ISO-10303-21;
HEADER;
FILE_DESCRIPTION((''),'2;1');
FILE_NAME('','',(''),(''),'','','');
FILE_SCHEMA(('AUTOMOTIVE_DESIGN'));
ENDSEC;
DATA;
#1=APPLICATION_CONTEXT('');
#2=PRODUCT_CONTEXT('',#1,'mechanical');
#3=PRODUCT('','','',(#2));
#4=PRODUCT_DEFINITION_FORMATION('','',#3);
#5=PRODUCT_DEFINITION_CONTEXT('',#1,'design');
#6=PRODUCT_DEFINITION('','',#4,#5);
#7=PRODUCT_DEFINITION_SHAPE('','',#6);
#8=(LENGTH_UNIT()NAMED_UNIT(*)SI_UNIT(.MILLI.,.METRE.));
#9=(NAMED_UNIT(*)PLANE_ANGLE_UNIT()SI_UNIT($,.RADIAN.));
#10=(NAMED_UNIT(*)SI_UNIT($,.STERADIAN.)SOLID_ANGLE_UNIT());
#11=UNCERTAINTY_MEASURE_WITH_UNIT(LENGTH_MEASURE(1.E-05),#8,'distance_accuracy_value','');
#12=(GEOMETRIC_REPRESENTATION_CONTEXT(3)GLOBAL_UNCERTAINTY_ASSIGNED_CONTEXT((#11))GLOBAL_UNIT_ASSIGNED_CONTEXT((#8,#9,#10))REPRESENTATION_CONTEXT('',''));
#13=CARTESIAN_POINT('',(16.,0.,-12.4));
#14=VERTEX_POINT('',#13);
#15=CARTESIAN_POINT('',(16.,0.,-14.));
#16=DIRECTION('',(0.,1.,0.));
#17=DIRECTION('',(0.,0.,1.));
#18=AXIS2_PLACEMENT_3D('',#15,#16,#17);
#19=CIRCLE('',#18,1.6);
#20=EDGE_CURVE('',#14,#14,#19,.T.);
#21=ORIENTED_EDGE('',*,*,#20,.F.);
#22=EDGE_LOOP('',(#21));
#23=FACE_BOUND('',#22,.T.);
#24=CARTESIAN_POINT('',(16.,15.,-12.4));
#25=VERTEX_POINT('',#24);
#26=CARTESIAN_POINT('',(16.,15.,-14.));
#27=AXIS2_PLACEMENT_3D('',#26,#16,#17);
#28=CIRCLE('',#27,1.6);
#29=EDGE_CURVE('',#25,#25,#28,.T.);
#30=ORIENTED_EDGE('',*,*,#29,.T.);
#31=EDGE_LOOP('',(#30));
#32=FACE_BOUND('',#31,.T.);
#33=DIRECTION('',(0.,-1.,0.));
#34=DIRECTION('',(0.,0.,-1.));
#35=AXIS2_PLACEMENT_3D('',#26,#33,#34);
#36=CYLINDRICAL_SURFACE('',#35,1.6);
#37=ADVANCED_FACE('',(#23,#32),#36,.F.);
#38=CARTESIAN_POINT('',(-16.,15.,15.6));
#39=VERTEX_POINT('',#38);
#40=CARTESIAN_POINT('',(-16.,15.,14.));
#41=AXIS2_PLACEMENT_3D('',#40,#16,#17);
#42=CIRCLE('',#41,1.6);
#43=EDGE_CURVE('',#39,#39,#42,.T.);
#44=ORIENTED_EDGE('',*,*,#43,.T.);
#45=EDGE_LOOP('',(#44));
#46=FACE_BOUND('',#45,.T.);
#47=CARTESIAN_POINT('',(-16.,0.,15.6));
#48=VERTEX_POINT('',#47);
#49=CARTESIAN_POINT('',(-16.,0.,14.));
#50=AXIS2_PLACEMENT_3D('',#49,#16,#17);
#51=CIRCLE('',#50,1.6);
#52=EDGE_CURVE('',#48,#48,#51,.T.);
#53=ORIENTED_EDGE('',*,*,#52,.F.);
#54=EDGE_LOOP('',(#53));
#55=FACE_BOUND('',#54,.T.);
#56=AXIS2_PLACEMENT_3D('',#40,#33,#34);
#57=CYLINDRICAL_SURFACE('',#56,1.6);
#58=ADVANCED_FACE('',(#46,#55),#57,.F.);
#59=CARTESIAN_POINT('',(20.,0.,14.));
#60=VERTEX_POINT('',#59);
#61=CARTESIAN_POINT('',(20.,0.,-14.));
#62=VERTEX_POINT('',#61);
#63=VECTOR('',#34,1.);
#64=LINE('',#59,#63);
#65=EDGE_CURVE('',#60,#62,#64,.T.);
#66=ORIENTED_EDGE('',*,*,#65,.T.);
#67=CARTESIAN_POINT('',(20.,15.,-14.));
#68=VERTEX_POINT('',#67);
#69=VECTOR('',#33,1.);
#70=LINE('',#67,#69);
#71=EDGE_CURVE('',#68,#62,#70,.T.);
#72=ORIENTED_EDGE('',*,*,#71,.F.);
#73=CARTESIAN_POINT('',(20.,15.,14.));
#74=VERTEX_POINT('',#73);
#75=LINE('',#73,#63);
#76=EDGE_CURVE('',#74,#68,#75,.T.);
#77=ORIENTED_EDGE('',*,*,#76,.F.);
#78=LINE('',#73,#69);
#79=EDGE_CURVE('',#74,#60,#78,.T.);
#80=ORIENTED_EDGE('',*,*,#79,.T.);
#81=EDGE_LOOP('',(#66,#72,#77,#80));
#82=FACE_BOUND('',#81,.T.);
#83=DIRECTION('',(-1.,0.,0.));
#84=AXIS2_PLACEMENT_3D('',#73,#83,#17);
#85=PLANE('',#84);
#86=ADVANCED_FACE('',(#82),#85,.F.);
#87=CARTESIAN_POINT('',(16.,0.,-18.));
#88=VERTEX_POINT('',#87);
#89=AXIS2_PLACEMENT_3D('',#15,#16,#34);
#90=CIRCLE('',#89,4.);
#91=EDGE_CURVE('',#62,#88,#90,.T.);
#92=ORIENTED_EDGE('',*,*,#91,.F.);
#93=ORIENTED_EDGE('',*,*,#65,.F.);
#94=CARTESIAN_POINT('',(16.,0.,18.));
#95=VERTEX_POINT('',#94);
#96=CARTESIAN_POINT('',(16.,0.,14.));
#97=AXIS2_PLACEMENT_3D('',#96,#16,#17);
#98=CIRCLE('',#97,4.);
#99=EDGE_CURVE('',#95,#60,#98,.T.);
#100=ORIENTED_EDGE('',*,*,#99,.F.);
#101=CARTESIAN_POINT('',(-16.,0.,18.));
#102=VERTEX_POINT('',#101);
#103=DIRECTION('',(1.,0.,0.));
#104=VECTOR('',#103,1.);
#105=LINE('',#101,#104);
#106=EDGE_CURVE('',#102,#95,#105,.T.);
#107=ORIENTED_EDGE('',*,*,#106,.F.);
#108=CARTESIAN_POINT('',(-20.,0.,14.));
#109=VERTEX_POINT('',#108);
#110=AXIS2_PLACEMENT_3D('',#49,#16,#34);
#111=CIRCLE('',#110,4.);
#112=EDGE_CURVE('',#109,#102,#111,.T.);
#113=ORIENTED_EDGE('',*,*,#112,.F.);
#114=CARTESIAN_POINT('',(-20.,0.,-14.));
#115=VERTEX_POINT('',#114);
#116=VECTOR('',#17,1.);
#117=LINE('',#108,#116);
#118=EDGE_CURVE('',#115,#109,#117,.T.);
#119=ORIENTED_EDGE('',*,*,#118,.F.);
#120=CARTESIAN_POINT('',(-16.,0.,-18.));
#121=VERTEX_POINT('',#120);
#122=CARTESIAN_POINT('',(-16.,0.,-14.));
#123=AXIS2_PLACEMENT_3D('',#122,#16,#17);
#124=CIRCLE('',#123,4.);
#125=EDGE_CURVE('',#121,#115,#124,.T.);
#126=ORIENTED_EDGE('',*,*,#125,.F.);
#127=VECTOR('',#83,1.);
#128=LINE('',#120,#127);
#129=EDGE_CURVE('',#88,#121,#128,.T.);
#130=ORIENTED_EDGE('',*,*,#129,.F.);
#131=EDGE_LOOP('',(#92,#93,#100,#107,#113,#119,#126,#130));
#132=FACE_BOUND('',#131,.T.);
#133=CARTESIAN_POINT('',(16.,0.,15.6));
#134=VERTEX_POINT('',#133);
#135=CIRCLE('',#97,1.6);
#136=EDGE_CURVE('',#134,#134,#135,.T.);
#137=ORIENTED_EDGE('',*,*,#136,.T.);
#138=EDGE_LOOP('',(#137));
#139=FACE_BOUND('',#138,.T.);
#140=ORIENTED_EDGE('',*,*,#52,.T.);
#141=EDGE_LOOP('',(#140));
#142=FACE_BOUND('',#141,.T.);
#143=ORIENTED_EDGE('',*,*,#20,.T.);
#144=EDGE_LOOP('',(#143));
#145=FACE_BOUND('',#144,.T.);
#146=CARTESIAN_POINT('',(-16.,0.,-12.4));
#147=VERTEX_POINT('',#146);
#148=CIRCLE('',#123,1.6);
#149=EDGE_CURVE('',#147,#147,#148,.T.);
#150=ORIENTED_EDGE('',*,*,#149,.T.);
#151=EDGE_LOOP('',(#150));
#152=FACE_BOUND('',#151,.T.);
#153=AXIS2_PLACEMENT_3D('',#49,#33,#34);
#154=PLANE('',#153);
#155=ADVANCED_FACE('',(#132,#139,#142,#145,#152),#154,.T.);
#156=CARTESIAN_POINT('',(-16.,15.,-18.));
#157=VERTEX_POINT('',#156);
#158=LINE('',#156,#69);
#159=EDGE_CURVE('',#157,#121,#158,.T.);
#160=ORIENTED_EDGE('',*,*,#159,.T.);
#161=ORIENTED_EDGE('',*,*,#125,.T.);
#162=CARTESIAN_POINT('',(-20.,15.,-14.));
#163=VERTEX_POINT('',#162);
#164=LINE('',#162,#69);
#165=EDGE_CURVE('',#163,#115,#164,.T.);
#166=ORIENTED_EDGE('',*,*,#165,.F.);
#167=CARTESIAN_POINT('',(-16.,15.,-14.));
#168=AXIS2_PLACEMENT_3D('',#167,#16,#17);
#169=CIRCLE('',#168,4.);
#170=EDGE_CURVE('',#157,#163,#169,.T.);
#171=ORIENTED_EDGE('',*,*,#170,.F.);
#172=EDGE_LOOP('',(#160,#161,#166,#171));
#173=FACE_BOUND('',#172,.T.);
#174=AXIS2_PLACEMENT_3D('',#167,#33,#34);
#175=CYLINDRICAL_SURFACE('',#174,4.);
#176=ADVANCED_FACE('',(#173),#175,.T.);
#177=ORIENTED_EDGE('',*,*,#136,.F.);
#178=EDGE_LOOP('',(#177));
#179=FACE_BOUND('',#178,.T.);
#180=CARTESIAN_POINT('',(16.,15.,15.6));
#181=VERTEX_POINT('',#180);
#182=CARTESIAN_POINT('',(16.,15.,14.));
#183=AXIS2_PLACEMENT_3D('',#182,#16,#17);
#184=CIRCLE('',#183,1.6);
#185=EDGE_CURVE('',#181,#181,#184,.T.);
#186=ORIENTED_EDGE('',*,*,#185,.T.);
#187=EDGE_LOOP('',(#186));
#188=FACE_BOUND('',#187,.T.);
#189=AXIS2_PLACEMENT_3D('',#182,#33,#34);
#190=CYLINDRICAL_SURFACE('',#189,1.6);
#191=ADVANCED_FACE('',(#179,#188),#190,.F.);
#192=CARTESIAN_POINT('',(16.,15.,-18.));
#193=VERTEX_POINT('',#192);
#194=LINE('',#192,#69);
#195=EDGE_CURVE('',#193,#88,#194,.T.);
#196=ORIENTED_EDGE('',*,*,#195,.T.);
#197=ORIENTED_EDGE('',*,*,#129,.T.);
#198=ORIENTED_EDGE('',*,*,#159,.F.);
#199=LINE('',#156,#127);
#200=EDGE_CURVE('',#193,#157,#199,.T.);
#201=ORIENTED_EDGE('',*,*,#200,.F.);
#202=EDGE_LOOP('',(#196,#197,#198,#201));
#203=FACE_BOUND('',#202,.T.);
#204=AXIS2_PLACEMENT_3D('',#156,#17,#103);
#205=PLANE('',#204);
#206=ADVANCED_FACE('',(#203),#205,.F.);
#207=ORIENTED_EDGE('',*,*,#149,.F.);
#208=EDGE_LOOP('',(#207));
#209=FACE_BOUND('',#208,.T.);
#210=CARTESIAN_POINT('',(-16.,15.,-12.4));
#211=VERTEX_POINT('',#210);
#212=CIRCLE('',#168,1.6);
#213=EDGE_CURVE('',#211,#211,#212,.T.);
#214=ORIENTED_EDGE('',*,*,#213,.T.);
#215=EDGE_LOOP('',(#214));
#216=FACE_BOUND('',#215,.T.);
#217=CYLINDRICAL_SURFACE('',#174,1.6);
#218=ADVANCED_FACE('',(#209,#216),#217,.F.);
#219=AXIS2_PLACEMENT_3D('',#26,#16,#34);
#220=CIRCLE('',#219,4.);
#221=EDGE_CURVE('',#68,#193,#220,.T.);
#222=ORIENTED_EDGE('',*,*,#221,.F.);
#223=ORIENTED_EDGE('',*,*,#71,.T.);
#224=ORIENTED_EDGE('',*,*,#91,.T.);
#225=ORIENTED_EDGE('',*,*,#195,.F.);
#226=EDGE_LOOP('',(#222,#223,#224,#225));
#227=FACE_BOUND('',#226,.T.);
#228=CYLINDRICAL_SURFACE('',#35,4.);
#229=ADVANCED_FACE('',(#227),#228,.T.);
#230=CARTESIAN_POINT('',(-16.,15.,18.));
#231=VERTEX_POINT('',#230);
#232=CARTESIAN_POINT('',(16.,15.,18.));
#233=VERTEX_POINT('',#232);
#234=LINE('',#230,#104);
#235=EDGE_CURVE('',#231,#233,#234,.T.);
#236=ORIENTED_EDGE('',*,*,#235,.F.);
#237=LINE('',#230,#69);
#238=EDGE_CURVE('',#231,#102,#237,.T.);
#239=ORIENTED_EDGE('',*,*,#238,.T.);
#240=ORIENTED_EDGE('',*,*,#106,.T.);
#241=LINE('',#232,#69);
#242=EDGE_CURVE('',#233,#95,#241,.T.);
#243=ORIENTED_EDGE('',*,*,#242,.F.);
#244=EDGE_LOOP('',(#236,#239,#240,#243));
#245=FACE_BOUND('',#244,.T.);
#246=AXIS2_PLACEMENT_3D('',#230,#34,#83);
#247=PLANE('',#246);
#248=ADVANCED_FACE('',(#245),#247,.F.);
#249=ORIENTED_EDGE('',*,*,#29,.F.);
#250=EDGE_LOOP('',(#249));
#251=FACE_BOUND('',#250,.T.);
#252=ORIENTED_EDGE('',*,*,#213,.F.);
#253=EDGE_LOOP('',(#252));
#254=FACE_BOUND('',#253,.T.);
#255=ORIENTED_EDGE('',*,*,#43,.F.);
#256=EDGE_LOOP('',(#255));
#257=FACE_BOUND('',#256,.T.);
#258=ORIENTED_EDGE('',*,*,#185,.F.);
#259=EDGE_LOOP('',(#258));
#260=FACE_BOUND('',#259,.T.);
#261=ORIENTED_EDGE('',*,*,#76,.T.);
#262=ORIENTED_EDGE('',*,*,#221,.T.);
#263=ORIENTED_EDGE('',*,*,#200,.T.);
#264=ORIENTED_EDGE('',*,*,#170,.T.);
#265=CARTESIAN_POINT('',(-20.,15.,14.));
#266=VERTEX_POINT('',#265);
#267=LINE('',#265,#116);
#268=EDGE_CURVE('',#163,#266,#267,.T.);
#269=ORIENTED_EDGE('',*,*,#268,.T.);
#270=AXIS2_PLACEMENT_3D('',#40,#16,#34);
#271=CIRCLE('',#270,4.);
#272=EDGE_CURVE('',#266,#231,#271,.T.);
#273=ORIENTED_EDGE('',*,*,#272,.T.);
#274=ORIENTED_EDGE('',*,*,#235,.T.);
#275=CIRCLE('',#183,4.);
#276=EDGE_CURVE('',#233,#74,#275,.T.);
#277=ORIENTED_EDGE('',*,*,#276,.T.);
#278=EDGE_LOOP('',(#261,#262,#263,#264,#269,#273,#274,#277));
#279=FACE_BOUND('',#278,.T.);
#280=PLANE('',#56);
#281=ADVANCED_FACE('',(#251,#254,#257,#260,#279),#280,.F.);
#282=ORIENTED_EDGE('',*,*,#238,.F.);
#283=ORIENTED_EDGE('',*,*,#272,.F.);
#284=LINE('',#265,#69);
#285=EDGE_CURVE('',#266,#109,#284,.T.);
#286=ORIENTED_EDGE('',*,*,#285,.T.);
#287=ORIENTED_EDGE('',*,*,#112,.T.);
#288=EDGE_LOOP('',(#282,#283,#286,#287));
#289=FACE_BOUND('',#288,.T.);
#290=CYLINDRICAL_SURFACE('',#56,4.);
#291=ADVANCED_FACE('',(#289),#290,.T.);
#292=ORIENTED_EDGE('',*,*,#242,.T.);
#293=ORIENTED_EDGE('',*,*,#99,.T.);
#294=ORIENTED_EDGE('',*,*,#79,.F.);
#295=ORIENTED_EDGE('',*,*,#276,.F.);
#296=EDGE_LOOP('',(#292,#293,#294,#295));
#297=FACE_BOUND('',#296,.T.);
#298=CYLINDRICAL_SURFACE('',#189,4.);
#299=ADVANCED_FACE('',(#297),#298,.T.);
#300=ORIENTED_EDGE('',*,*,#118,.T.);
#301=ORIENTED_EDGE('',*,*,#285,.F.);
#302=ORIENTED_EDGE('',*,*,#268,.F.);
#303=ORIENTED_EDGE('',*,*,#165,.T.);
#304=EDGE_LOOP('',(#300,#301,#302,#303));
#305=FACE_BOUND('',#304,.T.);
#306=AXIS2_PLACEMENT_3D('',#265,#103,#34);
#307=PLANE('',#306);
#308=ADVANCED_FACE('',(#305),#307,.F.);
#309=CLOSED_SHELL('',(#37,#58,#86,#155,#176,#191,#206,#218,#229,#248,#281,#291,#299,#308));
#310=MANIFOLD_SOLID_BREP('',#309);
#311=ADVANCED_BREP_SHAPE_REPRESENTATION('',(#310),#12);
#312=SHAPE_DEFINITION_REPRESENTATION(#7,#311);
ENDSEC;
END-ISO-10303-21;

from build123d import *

# Parameters (mm, degrees)
SKETCH1_R           = 1.6
BOSS_EXTRUDE1_DEPTH = 15


with BuildPart() as part:
    # Sketch1 → Boss-Extrude1 (new body)
    with BuildSketch(Plane(origin=(0, 0, 0), x_dir=(1, 0, 0), z_dir=(0, 1, 0))):
        with BuildLine():
            Line((-16, -18), (16, -18))
            ThreePointArc((16, -18), (18.828427125, -16.828427125), (20, -14))
            Line((20, -14), (20, 14))
            ThreePointArc((20, 14), (18.828427125, 16.828427125), (16, 18))
            Line((16, 18), (-16, 18))
            ThreePointArc((-16, 18), (-18.828427125, 16.828427125), (-20, 14))
            Line((-20, 14), (-20, -14))
            ThreePointArc((-20, -14), (-18.828427125, -16.828427125), (-16, -18))
        make_face()
        with Locations((16, 14)):
            Circle(SKETCH1_R, mode=Mode.SUBTRACT)
        with Locations((-16, 14)):
            Circle(SKETCH1_R, mode=Mode.SUBTRACT)
        with Locations((-16, -14)):
            Circle(SKETCH1_R, mode=Mode.SUBTRACT)
        with Locations((16, -14)):
            Circle(SKETCH1_R, mode=Mode.SUBTRACT)
    extrude(amount=BOSS_EXTRUDE1_DEPTH)


solid = part.part
